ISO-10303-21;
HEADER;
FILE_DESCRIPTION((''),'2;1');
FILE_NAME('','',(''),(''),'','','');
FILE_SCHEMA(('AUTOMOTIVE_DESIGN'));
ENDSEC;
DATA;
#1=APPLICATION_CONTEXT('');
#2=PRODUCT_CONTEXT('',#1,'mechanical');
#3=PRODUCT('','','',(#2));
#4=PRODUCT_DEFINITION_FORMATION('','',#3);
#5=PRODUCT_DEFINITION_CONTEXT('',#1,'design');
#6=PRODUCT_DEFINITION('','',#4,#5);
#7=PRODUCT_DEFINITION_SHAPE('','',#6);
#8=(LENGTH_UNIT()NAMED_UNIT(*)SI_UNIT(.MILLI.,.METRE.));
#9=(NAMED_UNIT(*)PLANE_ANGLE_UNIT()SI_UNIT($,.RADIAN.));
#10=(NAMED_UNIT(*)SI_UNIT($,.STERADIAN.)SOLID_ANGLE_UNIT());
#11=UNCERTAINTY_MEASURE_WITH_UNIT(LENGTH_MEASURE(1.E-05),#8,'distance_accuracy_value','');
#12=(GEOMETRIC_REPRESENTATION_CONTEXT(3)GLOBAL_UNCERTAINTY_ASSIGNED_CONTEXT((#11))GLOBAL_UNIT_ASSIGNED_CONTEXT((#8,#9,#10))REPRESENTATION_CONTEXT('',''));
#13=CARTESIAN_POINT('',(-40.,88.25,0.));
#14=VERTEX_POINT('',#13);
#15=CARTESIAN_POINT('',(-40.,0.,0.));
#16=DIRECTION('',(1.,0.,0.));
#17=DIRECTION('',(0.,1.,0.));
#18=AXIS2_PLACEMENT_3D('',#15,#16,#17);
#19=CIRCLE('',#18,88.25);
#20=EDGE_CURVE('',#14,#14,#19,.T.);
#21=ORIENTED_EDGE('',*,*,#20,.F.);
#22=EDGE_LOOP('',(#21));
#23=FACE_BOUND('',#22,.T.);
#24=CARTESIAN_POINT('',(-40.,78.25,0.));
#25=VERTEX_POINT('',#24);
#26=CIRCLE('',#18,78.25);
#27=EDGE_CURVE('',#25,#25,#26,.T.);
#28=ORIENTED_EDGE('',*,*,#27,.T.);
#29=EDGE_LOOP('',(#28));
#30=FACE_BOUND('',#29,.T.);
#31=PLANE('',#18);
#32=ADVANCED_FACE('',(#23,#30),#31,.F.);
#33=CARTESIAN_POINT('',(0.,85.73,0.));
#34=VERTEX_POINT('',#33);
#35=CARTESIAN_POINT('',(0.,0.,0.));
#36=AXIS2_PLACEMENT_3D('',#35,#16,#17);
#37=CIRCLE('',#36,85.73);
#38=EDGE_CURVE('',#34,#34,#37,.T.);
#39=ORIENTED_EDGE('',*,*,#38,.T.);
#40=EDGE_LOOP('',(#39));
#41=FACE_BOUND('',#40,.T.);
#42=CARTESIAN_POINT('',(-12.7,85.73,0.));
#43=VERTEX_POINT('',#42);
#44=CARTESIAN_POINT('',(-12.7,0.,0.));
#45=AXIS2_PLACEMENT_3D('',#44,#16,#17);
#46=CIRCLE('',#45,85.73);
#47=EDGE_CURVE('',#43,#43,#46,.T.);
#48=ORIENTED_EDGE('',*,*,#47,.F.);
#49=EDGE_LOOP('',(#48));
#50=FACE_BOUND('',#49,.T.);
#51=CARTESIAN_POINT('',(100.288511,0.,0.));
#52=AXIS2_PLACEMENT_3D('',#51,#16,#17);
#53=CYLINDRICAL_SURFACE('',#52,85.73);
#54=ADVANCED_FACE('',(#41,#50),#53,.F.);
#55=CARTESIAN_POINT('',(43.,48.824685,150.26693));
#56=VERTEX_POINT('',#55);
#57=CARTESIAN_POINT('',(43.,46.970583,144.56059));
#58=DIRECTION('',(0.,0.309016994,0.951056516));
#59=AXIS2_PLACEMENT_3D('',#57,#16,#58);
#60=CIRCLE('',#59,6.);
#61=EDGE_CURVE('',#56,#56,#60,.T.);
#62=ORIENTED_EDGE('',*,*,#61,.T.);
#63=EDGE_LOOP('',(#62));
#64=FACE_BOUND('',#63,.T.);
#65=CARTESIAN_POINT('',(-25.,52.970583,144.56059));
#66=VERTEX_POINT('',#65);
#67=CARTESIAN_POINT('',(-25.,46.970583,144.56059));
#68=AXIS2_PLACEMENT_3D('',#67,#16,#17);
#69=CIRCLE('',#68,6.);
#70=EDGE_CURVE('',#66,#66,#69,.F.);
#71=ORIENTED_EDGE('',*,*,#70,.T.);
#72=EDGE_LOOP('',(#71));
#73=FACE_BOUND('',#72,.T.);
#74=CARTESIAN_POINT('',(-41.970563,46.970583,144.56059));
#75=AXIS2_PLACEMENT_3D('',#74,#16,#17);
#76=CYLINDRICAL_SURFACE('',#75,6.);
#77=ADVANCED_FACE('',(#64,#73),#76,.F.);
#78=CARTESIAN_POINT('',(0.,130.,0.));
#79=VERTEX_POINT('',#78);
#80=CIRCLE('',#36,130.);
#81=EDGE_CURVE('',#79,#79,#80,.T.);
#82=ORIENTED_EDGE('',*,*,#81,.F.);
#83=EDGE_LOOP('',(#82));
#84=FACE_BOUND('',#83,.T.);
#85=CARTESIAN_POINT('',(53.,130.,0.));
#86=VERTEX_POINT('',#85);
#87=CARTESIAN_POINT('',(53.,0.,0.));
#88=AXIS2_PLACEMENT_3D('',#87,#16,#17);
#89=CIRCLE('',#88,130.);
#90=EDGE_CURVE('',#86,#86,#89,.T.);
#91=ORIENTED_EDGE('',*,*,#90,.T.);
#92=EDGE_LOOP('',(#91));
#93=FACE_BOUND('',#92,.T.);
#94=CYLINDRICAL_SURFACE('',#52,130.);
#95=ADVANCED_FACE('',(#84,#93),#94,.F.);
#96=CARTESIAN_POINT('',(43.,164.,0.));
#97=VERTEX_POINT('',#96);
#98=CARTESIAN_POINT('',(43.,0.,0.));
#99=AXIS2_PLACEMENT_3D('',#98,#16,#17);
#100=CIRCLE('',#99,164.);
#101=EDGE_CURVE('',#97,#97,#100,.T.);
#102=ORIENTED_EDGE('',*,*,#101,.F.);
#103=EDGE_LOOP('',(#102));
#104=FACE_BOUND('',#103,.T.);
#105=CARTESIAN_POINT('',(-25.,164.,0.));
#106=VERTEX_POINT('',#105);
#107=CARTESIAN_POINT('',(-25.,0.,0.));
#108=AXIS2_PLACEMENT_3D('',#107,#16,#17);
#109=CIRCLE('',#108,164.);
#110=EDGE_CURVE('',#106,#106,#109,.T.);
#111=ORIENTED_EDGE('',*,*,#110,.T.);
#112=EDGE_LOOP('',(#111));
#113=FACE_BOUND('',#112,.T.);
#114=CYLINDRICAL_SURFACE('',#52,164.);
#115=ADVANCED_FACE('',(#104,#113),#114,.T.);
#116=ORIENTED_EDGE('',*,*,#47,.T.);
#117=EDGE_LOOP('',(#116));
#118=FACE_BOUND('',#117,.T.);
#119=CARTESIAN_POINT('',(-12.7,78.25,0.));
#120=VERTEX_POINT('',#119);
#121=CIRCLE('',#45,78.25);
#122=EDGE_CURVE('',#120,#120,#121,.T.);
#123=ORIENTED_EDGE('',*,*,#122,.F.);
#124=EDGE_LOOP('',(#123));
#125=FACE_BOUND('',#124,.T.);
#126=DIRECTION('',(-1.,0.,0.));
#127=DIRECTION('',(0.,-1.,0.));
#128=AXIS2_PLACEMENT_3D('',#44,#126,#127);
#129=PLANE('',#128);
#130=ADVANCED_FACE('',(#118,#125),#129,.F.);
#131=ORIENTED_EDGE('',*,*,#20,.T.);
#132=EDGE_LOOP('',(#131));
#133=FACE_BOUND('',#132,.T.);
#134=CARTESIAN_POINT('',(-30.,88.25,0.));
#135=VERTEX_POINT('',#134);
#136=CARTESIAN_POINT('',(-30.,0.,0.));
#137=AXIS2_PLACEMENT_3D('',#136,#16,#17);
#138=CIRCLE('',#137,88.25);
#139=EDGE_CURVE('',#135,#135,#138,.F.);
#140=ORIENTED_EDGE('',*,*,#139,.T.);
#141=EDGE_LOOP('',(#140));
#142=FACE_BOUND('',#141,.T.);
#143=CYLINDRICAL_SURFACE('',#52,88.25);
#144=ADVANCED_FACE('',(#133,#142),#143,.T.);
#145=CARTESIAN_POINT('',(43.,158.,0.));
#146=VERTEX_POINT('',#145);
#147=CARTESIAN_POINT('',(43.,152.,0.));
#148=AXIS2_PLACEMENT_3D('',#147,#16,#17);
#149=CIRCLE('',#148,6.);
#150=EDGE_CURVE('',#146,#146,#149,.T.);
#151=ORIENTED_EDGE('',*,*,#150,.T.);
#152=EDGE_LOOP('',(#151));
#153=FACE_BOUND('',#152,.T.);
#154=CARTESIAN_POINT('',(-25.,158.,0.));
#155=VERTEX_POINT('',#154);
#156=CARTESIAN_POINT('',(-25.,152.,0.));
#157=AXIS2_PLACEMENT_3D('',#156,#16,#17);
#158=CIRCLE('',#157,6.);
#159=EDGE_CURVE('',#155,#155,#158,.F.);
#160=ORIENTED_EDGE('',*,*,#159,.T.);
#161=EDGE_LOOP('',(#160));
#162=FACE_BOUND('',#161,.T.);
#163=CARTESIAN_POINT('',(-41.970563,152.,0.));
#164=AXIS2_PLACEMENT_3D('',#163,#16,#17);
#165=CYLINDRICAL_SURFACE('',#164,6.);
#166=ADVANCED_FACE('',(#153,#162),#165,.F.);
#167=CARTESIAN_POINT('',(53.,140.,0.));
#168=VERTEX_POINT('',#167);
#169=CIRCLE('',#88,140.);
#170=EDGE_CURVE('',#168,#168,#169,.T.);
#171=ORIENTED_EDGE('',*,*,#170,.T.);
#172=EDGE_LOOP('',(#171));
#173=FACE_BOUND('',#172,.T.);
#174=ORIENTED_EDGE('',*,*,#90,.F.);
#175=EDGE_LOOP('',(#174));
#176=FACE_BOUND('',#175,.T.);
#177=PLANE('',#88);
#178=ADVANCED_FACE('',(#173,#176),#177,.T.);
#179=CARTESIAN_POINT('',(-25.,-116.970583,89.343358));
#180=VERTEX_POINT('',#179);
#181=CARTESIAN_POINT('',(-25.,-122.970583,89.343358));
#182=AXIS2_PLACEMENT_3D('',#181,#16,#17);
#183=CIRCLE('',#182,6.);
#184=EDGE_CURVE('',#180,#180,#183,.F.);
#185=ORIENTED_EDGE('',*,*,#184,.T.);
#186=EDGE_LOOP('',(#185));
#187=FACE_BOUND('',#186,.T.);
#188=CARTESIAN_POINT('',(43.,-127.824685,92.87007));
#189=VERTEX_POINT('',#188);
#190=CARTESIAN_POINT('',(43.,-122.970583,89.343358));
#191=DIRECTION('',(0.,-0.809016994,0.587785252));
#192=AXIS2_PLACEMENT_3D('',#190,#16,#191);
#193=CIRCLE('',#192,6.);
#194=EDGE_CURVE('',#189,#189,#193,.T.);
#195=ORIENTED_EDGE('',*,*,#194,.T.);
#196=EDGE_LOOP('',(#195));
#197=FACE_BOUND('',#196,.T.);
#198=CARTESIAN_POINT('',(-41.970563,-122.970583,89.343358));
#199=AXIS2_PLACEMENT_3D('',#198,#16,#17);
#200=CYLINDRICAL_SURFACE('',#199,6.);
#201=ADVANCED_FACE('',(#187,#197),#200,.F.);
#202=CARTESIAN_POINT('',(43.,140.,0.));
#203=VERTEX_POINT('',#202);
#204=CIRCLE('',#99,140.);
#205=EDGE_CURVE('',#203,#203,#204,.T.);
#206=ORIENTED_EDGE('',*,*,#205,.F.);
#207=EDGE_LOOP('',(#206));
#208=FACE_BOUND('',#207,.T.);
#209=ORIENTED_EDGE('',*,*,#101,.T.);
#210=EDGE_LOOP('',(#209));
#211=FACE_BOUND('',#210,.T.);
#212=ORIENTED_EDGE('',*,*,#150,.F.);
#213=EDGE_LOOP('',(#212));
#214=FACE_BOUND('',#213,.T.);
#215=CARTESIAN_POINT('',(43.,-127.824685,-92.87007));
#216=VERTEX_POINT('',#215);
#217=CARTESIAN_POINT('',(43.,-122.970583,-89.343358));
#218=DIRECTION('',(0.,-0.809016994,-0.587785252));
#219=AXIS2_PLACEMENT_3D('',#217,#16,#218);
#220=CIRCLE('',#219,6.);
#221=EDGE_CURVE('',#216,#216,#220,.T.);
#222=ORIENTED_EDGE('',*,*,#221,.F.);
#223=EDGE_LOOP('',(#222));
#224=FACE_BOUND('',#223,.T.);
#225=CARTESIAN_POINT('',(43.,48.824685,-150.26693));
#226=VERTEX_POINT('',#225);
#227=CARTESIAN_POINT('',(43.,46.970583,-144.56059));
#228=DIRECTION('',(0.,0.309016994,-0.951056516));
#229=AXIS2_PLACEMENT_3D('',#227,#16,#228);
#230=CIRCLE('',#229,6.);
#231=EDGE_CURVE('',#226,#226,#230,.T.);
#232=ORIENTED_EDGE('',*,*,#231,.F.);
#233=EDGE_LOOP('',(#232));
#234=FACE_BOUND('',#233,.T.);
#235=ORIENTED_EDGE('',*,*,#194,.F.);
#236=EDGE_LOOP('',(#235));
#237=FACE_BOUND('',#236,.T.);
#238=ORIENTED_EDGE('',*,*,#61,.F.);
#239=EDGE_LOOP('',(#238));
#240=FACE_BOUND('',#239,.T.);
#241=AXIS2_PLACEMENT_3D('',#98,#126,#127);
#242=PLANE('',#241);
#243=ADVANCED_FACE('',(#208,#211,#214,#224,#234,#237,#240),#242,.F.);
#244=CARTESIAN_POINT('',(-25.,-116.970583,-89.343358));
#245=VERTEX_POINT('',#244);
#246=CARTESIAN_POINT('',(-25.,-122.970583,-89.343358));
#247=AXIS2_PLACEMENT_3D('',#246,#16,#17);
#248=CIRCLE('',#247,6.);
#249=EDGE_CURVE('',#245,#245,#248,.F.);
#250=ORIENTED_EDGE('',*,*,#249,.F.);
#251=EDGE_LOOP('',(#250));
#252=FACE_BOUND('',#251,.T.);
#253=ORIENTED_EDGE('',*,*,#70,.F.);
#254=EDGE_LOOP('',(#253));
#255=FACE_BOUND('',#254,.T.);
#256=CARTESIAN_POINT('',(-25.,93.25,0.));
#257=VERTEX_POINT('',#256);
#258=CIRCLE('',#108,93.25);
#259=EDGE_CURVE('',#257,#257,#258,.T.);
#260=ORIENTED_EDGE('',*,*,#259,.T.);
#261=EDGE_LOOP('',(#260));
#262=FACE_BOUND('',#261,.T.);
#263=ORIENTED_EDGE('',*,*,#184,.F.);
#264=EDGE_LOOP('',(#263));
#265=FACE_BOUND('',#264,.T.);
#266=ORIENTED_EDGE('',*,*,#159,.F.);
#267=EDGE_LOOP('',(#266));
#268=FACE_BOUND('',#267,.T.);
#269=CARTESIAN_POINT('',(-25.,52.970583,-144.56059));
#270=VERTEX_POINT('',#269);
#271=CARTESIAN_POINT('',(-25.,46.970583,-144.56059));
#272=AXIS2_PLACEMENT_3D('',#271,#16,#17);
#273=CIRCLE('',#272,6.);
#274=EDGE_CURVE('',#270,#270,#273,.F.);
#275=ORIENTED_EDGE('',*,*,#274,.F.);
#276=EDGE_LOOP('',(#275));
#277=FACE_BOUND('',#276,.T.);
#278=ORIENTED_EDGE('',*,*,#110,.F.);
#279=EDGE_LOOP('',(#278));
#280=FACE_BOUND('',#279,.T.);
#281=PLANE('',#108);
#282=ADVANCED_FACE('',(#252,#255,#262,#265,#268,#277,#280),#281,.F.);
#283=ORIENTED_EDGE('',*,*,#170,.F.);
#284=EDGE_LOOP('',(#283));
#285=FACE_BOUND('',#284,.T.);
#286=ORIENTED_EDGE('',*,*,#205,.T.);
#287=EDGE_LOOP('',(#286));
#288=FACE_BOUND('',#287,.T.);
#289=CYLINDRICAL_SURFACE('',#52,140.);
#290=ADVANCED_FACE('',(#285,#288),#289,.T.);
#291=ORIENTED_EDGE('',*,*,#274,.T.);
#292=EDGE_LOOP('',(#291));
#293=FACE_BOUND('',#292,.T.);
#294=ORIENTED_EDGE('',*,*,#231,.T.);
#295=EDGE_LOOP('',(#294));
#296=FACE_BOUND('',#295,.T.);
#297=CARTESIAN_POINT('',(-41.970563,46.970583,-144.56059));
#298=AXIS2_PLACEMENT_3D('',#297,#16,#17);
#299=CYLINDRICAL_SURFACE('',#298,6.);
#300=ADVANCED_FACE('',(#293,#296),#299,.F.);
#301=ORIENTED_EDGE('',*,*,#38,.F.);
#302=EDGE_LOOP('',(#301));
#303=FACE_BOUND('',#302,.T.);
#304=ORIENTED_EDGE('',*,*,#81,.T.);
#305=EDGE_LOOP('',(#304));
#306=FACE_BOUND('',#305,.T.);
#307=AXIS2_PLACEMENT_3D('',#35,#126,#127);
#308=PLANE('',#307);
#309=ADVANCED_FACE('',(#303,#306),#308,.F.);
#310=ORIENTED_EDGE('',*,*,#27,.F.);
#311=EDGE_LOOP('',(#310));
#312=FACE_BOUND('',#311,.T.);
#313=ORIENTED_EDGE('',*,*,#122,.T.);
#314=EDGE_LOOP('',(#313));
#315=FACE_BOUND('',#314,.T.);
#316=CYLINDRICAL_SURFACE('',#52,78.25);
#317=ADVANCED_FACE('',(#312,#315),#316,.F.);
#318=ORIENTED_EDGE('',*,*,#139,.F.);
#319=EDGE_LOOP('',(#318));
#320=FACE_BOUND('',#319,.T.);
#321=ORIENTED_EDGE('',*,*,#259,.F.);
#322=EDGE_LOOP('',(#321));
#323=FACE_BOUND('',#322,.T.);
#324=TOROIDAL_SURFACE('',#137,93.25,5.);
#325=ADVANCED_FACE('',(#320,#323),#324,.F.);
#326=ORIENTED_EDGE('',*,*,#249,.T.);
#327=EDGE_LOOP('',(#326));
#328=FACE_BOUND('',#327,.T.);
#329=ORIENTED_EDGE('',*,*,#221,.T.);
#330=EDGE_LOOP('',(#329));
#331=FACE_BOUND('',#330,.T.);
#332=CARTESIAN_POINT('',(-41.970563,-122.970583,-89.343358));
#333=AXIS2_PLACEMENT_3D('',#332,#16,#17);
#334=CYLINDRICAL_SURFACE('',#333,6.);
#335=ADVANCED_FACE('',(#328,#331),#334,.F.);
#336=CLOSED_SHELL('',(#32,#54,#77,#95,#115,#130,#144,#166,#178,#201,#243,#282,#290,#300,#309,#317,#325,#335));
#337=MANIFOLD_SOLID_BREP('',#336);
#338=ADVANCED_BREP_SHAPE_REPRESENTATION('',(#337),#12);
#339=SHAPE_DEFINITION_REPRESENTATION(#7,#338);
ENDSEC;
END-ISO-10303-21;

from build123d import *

# Parameters (mm, degrees)
FILLET3_R          = 5
SKETCH2_R          = 6
CUT_EXTRUDE1_DEPTH = 68
CIRPATTERN1_COUNT  = 5


with BuildPart() as part:
    # Sketch1 → Revolve1 (revolve)
    with BuildSketch(Plane.XY):
        Polygon((0, 130), (0, 85.73), (-12.7, 85.73), (-12.7, 78.25), (-40, 78.25), (-40, 88.25), (-25, 88.25), (-25, 164), (43, 164), (43, 140), (53, 140), (53, 130), align=None)
    revolve(axis=Axis((100.288511214, 0, 0), (-1, 0, 0)))

    # Fillet3
    fillet3_edges = [part.edges().sort_by_distance(p)[0] for p in [
        (-25, -88.25, 0),
    ]]
    fillet(fillet3_edges, radius=FILLET3_R)

    # Sketch2 → Cut-Extrude1 (cut)
    with BuildSketch(Plane(origin=(43, 0, 0), x_dir=(0, 0, -1), z_dir=(1, 0, 0))):
        with Locations((0, 152)):
            Circle(SKETCH2_R)
    cut_extrude1 = extrude(amount=-CUT_EXTRUDE1_DEPTH, mode=Mode.SUBTRACT)

    # CirPattern1: Cut-Extrude1 ×5 about axis
    cirpattern1_axis = Axis((0, 0, 0), (1, 0, 0))
    for i in range(1, CIRPATTERN1_COUNT):
        add(cut_extrude1.rotate(cirpattern1_axis, i * 360 / CIRPATTERN1_COUNT), mode=Mode.SUBTRACT)


solid = part.part
